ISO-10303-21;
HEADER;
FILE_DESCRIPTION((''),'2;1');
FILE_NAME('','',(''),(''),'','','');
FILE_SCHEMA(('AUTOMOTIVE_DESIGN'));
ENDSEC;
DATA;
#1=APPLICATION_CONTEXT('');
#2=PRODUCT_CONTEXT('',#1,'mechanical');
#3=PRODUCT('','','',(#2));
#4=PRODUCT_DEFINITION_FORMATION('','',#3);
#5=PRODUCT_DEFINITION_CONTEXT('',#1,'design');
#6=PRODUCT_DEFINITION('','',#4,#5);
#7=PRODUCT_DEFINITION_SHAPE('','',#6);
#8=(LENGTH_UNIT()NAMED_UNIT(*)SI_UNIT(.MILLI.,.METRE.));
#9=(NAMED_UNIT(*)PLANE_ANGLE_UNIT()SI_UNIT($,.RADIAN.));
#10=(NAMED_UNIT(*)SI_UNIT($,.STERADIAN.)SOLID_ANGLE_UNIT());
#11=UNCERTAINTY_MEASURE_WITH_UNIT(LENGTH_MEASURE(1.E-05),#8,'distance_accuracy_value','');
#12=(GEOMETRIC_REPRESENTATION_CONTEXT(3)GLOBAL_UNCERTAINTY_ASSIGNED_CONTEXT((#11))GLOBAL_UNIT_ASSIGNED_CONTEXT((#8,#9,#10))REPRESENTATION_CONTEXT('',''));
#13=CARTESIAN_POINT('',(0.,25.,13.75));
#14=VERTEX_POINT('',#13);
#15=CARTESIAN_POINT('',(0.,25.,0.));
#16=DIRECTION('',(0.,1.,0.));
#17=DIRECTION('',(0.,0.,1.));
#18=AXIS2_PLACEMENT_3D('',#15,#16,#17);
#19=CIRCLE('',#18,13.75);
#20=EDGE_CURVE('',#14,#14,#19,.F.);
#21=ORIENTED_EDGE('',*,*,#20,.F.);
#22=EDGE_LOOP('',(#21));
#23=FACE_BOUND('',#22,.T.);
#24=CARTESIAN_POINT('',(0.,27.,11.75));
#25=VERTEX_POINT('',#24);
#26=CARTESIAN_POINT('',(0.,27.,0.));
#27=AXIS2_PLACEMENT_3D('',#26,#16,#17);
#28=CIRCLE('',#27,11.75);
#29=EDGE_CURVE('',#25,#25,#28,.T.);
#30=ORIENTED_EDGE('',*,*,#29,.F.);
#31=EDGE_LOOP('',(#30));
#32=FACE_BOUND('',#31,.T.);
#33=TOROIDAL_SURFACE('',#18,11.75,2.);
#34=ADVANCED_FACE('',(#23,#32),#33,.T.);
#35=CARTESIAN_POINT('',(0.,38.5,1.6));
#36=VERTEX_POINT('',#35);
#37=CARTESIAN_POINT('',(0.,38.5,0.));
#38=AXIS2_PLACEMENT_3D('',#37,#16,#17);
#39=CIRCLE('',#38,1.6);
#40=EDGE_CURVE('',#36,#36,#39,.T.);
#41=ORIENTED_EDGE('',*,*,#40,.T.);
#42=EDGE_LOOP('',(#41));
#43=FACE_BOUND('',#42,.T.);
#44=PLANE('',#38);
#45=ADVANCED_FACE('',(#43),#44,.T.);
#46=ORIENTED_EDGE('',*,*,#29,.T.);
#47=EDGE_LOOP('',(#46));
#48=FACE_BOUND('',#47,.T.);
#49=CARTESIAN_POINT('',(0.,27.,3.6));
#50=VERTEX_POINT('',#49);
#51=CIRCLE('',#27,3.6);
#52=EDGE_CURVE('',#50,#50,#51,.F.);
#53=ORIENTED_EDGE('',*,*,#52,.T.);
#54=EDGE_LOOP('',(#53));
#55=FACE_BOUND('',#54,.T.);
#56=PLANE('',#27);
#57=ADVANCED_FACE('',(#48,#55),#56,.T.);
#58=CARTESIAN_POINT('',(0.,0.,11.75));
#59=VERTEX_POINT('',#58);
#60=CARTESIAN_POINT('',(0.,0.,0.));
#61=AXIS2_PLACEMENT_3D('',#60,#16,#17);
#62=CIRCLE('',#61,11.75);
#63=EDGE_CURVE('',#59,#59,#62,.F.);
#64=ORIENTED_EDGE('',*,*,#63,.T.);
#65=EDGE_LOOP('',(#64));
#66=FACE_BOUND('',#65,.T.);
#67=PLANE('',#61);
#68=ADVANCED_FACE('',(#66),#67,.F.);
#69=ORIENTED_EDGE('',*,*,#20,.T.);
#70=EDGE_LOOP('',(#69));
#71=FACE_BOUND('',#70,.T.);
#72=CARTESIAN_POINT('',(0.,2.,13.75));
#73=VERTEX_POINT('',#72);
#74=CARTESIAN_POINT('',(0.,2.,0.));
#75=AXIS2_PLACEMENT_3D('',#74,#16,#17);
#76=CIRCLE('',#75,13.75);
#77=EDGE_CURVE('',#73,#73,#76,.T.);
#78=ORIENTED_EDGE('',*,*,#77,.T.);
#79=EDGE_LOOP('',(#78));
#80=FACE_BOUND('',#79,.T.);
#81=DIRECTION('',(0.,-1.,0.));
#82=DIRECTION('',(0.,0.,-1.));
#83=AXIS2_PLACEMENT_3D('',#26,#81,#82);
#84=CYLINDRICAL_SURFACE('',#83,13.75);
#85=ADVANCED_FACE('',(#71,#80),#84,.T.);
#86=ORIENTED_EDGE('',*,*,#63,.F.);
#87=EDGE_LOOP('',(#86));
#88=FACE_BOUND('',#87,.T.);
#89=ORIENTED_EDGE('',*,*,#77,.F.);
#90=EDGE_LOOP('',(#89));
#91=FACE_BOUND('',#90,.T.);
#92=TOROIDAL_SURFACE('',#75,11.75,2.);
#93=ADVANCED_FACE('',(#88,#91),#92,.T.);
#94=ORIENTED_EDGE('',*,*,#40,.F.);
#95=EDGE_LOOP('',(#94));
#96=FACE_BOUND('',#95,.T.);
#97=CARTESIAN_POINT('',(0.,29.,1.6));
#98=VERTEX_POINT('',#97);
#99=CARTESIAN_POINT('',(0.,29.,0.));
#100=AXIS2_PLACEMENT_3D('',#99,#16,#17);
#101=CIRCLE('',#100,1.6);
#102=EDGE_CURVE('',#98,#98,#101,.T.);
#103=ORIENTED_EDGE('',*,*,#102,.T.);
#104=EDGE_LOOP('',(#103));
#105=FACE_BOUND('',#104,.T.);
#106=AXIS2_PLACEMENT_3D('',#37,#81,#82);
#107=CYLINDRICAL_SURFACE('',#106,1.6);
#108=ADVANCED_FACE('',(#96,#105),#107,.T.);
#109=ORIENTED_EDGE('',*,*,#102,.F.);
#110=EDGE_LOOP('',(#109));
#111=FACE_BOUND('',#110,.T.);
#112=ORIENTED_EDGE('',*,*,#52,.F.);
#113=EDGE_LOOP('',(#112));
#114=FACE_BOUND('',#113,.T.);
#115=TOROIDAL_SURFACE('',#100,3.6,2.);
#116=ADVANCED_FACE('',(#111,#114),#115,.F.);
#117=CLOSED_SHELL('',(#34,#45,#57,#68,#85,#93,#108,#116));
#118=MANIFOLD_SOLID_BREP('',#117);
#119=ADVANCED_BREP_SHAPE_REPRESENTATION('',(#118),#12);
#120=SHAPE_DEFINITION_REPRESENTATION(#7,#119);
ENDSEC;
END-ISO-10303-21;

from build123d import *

# Parameters (mm, degrees)
CROQUIS1_R              = 13.75
SALIENTE_EXTRUIR1_DEPTH = 27
CROQUIS3_R              = 1.6
SALIENTE_EXTRUIR2_DEPTH = 11.5
REDONDEO1_R             = 2


with BuildPart() as part:
    # Croquis1 → Saliente-Extruir1 (new body)
    with BuildSketch(Plane(origin=(0, 0, 0), x_dir=(1, 0, 0), z_dir=(0, 1, 0))):
        with Locations(Location((0, 0, 0), (0, 0, 270))):
            Circle(CROQUIS1_R)
    extrude(amount=SALIENTE_EXTRUIR1_DEPTH)

    # Croquis3 → Saliente-Extruir2 (add)
    with BuildSketch(Plane(origin=(0, 27, 0), x_dir=(1, 0, 0), z_dir=(0, 1, 0))):
        with Locations(Location((0, 0, 0), (0, 0, 270))):
            Circle(CROQUIS3_R)
    extrude(amount=SALIENTE_EXTRUIR2_DEPTH)

    # Redondeo1
    redondeo1_edges = [part.edges().sort_by_distance(p)[0] for p in [
        (0, 0, -13.75),
        (0, 27, -13.75),
        (0, 27, -1.6),
    ]]
    fillet(redondeo1_edges, radius=REDONDEO1_R)


solid = part.part
